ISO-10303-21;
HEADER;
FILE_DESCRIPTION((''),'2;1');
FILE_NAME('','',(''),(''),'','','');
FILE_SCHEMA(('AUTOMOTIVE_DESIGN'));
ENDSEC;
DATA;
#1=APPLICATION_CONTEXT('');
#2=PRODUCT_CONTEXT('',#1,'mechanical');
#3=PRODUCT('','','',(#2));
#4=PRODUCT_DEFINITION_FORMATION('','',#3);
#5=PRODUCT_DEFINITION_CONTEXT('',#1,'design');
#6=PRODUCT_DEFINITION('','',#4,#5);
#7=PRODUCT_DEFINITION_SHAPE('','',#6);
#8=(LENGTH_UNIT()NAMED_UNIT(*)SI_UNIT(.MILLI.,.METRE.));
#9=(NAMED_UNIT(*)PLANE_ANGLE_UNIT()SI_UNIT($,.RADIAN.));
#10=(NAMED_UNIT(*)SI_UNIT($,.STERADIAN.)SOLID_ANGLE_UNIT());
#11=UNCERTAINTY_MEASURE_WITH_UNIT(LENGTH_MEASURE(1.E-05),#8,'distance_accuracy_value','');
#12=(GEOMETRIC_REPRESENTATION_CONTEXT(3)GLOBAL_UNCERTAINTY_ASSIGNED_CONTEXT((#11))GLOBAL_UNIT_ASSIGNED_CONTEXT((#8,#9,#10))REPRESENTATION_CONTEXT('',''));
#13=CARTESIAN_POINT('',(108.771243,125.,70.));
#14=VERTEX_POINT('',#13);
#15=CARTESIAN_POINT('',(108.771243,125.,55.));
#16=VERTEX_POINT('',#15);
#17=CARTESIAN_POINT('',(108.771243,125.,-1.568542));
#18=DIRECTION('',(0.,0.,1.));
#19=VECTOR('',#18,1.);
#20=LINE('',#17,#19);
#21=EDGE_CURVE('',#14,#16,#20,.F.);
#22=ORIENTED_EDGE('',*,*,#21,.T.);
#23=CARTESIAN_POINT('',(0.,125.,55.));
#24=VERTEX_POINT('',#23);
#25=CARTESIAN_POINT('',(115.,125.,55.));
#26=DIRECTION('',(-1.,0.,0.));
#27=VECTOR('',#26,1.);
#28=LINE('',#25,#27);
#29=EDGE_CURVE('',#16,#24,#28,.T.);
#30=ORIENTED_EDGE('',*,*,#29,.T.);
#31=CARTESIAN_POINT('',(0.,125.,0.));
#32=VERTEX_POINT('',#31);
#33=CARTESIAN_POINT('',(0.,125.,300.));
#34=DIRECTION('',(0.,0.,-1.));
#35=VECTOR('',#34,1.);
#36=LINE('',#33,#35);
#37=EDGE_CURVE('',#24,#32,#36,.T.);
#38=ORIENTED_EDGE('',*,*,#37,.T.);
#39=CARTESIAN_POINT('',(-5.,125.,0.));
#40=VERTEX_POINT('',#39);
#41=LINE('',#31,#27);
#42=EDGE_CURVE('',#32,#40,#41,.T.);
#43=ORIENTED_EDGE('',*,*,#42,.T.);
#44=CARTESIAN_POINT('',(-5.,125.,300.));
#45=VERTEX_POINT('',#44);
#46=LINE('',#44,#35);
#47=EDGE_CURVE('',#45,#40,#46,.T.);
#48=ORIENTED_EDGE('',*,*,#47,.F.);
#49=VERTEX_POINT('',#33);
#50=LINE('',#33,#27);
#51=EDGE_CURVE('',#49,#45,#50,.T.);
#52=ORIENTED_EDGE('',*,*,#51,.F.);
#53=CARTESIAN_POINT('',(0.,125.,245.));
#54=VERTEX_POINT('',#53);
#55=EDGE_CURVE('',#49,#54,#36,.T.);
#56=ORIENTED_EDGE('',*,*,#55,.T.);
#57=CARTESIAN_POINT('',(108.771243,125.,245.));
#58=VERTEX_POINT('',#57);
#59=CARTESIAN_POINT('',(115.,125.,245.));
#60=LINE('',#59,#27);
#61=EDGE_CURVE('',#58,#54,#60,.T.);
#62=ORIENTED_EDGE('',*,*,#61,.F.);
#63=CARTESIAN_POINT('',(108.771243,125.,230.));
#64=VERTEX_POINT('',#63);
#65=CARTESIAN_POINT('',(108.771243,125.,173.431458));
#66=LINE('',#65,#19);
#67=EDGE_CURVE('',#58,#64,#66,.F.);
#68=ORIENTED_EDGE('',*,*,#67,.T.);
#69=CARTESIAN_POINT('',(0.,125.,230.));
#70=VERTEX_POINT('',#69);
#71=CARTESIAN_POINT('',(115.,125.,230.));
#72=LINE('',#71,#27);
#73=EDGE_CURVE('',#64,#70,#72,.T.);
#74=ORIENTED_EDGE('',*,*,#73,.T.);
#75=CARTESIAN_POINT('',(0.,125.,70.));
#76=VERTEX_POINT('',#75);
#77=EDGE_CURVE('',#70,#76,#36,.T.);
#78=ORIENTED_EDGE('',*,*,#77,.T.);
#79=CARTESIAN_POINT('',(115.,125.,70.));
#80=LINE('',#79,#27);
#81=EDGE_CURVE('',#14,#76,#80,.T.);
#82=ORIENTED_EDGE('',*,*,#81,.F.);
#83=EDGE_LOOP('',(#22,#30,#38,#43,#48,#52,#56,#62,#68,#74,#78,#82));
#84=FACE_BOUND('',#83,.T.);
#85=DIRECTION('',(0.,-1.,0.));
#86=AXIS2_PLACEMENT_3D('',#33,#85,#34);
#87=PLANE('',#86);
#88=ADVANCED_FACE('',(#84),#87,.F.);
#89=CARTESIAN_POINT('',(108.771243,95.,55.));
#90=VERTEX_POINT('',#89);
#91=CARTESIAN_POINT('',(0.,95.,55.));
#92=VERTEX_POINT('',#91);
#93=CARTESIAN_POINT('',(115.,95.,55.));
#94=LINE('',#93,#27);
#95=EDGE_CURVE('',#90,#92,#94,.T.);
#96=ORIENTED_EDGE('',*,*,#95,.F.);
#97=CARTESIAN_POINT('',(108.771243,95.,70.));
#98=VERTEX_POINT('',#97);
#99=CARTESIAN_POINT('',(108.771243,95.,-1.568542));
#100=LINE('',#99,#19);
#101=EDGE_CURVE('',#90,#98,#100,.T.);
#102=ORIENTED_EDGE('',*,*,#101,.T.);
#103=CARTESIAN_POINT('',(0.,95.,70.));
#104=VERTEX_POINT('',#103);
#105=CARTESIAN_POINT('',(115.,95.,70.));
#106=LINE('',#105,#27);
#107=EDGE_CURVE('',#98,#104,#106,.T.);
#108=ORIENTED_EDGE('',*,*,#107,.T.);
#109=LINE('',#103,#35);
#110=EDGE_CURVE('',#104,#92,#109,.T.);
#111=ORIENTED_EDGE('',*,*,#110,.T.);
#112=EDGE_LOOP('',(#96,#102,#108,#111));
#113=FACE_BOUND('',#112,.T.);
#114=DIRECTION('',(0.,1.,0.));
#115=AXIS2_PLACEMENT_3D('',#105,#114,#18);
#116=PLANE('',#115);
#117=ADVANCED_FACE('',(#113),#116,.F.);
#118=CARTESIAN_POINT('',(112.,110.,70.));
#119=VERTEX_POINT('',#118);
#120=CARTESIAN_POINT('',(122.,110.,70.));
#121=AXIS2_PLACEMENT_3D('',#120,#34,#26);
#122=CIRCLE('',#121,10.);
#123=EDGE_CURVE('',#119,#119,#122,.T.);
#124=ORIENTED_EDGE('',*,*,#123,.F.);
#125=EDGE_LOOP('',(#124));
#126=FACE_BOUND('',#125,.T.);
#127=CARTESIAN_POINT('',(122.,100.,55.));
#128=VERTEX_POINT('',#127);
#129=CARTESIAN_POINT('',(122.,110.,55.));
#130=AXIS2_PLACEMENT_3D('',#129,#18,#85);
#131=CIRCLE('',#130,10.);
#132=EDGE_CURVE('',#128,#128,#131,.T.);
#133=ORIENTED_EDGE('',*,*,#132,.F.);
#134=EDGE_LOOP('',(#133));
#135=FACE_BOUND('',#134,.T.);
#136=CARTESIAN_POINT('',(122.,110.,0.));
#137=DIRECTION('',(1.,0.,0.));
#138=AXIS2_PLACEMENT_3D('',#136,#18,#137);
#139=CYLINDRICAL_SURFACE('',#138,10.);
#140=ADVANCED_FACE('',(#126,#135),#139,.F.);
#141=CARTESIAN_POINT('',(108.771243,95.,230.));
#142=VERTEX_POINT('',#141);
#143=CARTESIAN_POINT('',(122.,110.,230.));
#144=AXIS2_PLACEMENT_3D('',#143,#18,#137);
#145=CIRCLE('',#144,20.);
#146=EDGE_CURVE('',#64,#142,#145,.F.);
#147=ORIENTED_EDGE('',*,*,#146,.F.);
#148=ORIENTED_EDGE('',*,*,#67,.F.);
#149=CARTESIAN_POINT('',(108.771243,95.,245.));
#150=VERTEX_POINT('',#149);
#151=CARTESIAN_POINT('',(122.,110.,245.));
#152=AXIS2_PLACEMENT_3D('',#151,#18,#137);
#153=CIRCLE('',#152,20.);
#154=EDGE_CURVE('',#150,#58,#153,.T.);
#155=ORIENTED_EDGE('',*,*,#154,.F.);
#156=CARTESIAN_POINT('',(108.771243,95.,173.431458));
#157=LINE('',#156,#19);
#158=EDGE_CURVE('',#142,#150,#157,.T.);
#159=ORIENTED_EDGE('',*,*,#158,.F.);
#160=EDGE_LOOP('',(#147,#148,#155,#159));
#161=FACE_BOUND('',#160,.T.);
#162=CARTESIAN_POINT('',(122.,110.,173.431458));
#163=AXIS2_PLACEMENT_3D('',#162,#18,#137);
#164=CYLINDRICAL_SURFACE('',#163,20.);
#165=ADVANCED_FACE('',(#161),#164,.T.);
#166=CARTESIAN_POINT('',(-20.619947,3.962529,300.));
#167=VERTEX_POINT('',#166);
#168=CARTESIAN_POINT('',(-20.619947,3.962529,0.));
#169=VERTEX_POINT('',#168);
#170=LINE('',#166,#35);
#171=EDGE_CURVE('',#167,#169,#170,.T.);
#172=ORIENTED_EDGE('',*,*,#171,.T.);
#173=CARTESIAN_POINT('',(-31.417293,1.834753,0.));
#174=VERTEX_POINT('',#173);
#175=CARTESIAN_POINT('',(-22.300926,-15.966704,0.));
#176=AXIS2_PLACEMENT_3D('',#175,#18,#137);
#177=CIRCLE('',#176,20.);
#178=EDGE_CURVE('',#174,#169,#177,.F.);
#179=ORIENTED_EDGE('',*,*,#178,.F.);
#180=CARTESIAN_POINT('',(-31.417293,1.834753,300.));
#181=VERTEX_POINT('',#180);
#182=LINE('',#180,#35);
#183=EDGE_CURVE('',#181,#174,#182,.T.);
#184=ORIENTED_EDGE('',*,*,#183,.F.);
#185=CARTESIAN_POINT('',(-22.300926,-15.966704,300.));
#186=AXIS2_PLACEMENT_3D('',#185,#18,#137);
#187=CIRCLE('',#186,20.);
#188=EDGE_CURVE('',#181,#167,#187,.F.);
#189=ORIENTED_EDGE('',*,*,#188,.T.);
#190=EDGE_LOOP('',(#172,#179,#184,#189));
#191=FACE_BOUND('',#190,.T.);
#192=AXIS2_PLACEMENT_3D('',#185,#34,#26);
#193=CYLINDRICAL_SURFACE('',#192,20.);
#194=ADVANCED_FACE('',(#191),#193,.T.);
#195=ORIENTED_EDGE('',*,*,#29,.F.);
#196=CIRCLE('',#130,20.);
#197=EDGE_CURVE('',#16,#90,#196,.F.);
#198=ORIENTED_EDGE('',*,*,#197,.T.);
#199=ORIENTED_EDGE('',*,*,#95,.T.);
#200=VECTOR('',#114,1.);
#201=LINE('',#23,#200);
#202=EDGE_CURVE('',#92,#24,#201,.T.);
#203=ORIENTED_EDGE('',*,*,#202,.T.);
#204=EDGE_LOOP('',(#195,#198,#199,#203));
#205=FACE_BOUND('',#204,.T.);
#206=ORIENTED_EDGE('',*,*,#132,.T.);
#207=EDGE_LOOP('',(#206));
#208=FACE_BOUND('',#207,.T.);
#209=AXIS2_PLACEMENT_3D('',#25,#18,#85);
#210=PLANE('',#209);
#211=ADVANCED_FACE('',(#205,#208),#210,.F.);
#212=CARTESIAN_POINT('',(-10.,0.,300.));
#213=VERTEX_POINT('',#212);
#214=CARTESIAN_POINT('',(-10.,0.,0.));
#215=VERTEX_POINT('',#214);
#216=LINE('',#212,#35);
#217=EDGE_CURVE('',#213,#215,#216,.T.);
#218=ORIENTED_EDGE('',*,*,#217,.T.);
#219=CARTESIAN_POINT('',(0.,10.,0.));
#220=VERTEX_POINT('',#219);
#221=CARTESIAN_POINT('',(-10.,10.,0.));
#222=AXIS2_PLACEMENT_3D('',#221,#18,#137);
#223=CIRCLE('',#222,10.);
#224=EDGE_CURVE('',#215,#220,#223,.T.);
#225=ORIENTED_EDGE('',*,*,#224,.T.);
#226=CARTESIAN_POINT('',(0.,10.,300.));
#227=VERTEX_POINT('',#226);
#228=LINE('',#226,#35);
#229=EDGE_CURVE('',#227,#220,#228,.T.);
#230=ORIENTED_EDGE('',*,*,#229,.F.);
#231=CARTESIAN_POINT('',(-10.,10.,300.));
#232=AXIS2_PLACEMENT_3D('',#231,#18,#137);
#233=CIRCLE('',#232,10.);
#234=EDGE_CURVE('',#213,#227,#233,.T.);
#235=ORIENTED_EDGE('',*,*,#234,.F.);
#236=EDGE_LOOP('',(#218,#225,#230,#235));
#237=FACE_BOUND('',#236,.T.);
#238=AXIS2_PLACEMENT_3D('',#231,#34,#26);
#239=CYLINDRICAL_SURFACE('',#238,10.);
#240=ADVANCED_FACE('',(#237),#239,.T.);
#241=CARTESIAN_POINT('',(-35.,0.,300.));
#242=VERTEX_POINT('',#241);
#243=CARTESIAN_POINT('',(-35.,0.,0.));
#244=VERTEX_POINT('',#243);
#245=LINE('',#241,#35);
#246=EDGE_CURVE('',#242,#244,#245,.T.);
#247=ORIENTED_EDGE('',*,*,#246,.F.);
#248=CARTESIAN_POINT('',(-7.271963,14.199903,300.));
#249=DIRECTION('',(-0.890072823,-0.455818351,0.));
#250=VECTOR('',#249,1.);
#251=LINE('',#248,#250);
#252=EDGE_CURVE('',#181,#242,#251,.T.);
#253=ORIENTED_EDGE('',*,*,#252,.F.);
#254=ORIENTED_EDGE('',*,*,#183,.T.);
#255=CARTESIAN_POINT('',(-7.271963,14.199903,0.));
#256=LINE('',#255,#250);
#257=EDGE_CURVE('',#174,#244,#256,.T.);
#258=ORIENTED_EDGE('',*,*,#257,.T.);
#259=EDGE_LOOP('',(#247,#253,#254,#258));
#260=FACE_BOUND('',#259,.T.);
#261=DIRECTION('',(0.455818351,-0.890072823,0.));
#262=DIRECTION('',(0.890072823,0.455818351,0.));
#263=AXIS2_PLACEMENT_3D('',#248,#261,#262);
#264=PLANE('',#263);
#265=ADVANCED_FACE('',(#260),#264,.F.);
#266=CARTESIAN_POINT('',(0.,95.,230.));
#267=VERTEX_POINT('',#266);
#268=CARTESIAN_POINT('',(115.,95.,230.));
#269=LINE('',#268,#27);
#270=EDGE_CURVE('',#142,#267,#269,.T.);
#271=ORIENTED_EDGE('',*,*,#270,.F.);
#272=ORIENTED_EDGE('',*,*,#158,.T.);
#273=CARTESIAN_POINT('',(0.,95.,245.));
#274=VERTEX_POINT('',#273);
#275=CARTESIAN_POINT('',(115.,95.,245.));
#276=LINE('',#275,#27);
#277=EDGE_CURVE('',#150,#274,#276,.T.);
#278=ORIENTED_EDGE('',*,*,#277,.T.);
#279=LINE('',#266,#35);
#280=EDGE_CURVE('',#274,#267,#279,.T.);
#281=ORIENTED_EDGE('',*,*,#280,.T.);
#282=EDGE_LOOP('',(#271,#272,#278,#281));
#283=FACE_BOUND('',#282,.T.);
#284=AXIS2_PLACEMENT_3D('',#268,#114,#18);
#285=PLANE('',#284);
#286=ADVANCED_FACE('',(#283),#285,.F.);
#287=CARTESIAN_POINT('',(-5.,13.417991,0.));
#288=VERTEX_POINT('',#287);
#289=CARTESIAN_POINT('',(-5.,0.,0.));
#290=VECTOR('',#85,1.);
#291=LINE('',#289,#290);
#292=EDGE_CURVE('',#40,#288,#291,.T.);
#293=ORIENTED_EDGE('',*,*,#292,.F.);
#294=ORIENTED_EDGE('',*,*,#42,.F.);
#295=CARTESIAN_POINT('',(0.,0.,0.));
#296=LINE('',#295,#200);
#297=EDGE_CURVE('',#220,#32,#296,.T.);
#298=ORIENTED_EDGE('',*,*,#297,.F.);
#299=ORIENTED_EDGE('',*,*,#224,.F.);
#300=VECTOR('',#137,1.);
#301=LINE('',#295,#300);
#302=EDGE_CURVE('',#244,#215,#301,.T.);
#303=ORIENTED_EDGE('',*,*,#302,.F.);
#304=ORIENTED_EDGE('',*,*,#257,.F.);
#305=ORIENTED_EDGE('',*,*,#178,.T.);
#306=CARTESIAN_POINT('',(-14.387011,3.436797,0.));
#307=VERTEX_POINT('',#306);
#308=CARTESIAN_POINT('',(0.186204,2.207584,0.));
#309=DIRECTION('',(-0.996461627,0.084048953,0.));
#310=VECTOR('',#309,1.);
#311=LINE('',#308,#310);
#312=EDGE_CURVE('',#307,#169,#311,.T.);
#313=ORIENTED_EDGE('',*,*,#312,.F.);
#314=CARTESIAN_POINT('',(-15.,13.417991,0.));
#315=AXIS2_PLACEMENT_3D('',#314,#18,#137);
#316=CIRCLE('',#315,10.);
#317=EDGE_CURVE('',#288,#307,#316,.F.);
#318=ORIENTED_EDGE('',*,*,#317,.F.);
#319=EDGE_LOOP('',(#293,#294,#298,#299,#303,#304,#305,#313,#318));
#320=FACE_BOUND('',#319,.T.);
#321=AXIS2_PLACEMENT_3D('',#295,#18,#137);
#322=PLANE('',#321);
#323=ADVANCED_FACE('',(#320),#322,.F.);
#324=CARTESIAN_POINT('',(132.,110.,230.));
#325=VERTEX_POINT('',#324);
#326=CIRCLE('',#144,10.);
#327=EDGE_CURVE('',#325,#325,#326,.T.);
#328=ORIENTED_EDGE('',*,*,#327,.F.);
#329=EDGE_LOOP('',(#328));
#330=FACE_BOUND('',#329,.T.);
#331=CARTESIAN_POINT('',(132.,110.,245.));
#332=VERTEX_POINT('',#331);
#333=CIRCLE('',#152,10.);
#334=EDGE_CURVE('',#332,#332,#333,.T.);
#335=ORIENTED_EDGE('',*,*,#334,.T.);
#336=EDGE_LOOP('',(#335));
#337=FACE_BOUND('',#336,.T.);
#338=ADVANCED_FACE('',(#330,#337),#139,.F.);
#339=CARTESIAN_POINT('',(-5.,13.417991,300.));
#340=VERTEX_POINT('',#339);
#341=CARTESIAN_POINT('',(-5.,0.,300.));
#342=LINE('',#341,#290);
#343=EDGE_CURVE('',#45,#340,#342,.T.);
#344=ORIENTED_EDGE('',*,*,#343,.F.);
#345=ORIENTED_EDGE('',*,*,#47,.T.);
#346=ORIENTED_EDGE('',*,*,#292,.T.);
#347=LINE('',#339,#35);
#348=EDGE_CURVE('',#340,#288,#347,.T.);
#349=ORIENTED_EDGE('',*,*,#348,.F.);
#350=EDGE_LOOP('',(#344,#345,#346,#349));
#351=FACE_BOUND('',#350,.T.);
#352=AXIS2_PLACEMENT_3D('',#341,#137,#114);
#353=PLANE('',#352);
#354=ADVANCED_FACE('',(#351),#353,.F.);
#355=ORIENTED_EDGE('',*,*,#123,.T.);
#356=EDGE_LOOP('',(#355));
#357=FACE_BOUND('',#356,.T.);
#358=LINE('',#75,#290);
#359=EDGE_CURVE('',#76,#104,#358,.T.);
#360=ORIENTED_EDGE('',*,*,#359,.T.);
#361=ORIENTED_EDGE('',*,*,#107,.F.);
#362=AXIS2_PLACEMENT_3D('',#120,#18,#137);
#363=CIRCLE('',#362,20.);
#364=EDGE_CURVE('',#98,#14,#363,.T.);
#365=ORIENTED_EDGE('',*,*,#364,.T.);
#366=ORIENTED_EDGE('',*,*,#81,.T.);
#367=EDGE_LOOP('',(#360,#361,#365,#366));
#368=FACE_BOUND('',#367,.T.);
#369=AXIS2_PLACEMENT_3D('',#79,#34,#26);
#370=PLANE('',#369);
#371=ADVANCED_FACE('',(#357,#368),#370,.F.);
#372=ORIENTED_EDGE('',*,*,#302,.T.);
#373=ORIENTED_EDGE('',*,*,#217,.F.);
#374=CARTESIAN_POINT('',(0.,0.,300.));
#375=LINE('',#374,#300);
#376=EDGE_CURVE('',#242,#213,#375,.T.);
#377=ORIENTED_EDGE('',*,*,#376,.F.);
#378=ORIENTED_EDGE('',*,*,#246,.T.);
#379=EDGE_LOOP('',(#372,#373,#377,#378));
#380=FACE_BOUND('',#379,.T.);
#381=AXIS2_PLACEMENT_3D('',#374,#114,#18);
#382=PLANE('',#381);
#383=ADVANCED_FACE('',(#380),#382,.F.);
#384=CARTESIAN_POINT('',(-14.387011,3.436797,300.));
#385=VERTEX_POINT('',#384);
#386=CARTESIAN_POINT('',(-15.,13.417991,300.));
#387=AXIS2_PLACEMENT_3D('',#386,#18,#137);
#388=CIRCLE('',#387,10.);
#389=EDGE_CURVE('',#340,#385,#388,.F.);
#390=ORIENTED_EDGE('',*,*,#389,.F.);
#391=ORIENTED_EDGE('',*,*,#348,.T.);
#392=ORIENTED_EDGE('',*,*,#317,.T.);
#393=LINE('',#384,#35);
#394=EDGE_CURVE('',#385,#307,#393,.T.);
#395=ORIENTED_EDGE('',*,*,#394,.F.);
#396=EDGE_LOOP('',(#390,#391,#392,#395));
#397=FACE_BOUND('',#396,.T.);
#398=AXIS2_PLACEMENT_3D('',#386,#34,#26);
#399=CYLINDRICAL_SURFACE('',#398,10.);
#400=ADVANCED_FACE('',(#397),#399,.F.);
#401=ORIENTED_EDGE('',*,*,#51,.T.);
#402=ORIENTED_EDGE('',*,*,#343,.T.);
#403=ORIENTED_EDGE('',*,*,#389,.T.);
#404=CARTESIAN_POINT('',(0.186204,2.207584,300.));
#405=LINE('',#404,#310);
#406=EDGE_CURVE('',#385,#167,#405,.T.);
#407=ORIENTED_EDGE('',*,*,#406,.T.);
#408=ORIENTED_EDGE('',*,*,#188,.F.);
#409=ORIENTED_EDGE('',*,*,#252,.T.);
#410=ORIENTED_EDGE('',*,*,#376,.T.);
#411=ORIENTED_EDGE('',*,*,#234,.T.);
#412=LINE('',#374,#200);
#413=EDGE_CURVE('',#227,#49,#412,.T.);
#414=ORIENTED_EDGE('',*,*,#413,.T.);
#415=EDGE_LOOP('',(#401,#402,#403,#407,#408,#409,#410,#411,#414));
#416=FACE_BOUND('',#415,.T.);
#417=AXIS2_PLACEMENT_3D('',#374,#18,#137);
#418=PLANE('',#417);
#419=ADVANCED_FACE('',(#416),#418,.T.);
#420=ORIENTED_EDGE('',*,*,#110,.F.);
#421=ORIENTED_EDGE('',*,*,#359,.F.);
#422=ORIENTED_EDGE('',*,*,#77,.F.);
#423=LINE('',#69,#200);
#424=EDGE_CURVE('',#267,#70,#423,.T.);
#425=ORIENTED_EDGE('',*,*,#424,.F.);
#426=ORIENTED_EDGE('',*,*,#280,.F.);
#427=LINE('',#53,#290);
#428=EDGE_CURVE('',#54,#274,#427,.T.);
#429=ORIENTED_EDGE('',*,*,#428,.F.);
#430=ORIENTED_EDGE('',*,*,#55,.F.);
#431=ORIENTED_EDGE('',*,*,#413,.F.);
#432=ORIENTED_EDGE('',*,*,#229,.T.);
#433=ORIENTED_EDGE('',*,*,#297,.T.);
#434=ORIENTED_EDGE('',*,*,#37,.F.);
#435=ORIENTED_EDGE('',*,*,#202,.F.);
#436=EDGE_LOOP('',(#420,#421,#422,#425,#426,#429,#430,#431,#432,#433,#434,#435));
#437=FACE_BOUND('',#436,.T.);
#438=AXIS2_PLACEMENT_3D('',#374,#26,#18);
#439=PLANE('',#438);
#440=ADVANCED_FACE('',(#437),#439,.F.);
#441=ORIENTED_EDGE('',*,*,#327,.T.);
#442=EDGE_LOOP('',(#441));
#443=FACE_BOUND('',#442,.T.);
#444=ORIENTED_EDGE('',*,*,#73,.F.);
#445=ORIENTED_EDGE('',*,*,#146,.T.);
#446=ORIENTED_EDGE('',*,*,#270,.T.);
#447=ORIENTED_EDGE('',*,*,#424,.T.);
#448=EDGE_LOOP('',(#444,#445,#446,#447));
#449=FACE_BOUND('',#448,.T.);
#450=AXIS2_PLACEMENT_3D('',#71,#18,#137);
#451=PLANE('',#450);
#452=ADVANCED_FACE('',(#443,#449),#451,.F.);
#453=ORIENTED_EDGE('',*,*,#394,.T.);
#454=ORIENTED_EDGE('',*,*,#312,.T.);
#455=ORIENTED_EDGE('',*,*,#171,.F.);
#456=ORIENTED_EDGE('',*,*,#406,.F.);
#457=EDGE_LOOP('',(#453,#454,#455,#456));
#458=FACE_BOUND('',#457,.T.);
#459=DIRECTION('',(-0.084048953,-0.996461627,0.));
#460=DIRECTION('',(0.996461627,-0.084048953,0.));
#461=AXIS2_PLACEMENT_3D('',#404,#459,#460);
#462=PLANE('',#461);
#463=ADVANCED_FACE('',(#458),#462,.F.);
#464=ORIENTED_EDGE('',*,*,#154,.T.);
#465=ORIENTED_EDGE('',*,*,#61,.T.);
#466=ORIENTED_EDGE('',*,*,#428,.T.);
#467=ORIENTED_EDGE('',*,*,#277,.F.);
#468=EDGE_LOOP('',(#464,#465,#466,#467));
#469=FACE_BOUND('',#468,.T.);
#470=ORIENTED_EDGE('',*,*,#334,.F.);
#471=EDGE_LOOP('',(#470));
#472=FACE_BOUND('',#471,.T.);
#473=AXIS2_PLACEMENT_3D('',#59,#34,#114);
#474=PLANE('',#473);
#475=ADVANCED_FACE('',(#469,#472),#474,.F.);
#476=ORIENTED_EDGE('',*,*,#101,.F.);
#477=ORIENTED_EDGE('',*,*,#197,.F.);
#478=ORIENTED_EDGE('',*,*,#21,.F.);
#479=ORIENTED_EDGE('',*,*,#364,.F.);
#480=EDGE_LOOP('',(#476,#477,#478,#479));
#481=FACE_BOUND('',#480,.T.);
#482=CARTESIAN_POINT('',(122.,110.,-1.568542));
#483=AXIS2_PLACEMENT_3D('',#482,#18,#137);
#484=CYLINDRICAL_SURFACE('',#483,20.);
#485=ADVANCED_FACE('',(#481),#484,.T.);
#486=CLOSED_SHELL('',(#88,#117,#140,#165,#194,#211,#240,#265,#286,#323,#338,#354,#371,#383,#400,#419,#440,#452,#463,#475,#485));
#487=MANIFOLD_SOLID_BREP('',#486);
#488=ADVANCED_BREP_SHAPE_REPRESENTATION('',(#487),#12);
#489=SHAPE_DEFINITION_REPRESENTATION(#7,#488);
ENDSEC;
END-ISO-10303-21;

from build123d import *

# Parameters (mm, degrees)
BOSS_EXTRU_1_DEPTH      = 300
ESQUISSE3_W             = 15
ESQUISSE3_H             = 30
BOSS_EXTRU_2_DEPTH      = 115
ESQUISSE4_R             = 20
BOSS_EXTRU_3_DEPTH      = 15
ESQUISSE6_R             = 20
BOSS_EXTRU_4_DEPTH      = 15
ESQUISSE5_R             = 10
ENL_V_MAT_EXTRU_1_DEPTH = 246


with BuildPart() as part:
    # Esquisse1 → Boss.-Extru.1 (new body)
    with BuildSketch(Plane.XY):
        with BuildLine():
            Line((-5, 125), (-5, 35))
            Line((-5, 35), (-5, 13.417991274))
            ThreePointArc((-5, 13.417991274), (-7.715430946, 6.567075008), (-14.387010739, 3.436796748))
            Line((-14.387010739, 3.436796748), (-20.619947118, 3.962528759))
            ThreePointArc((-20.619947118, 3.962528759), (-26.167850826, 3.655908021), (-31.417293187, 1.834752694))
            Line((-31.417293187, 1.834752694), (-35, 0))
            Line((-35, 0), (-10, 0))
            ThreePointArc((-10, 0), (-2.928932188, 2.928932188), (0, 10))
            Line((0, 10), (0, 30))
            Line((0, 30), (0, 125))
            Line((0, 125), (-5, 125))
        make_face()
    extrude(amount=BOSS_EXTRU_1_DEPTH)

    # Esquisse3 → Boss.-Extru.2 (add)
    with BuildSketch(Plane(origin=(0, 0, 0), x_dir=(0, 0, -1), z_dir=(1, 0, 0))):
        with Locations((-237.5, 110)):
            Rectangle(ESQUISSE3_W, ESQUISSE3_H)
        with Locations((-62.5, 110)):
            Rectangle(ESQUISSE3_W, ESQUISSE3_H)
    extrude(amount=BOSS_EXTRU_2_DEPTH)

    # Esquisse4 → Boss.-Extru.3 (add)
    with BuildSketch(Plane.XY.offset(245)):
        with Locations((122, 110)):
            Circle(ESQUISSE4_R)
    extrude(amount=-BOSS_EXTRU_3_DEPTH)

    # Esquisse6 → Boss.-Extru.4 (add)
    with BuildSketch(Plane.XY.offset(70)):
        with Locations((122, 110)):
            Circle(ESQUISSE6_R)
    extrude(amount=-BOSS_EXTRU_4_DEPTH)

    # Esquisse5 → Enlèv. mat.-Extru.1 (cut, through all)
    with BuildSketch(Plane.XY.offset(245)):
        with Locations((122, 110)):
            Circle(ESQUISSE5_R)
    extrude(amount=-ENL_V_MAT_EXTRU_1_DEPTH, mode=Mode.SUBTRACT)


solid = part.part
